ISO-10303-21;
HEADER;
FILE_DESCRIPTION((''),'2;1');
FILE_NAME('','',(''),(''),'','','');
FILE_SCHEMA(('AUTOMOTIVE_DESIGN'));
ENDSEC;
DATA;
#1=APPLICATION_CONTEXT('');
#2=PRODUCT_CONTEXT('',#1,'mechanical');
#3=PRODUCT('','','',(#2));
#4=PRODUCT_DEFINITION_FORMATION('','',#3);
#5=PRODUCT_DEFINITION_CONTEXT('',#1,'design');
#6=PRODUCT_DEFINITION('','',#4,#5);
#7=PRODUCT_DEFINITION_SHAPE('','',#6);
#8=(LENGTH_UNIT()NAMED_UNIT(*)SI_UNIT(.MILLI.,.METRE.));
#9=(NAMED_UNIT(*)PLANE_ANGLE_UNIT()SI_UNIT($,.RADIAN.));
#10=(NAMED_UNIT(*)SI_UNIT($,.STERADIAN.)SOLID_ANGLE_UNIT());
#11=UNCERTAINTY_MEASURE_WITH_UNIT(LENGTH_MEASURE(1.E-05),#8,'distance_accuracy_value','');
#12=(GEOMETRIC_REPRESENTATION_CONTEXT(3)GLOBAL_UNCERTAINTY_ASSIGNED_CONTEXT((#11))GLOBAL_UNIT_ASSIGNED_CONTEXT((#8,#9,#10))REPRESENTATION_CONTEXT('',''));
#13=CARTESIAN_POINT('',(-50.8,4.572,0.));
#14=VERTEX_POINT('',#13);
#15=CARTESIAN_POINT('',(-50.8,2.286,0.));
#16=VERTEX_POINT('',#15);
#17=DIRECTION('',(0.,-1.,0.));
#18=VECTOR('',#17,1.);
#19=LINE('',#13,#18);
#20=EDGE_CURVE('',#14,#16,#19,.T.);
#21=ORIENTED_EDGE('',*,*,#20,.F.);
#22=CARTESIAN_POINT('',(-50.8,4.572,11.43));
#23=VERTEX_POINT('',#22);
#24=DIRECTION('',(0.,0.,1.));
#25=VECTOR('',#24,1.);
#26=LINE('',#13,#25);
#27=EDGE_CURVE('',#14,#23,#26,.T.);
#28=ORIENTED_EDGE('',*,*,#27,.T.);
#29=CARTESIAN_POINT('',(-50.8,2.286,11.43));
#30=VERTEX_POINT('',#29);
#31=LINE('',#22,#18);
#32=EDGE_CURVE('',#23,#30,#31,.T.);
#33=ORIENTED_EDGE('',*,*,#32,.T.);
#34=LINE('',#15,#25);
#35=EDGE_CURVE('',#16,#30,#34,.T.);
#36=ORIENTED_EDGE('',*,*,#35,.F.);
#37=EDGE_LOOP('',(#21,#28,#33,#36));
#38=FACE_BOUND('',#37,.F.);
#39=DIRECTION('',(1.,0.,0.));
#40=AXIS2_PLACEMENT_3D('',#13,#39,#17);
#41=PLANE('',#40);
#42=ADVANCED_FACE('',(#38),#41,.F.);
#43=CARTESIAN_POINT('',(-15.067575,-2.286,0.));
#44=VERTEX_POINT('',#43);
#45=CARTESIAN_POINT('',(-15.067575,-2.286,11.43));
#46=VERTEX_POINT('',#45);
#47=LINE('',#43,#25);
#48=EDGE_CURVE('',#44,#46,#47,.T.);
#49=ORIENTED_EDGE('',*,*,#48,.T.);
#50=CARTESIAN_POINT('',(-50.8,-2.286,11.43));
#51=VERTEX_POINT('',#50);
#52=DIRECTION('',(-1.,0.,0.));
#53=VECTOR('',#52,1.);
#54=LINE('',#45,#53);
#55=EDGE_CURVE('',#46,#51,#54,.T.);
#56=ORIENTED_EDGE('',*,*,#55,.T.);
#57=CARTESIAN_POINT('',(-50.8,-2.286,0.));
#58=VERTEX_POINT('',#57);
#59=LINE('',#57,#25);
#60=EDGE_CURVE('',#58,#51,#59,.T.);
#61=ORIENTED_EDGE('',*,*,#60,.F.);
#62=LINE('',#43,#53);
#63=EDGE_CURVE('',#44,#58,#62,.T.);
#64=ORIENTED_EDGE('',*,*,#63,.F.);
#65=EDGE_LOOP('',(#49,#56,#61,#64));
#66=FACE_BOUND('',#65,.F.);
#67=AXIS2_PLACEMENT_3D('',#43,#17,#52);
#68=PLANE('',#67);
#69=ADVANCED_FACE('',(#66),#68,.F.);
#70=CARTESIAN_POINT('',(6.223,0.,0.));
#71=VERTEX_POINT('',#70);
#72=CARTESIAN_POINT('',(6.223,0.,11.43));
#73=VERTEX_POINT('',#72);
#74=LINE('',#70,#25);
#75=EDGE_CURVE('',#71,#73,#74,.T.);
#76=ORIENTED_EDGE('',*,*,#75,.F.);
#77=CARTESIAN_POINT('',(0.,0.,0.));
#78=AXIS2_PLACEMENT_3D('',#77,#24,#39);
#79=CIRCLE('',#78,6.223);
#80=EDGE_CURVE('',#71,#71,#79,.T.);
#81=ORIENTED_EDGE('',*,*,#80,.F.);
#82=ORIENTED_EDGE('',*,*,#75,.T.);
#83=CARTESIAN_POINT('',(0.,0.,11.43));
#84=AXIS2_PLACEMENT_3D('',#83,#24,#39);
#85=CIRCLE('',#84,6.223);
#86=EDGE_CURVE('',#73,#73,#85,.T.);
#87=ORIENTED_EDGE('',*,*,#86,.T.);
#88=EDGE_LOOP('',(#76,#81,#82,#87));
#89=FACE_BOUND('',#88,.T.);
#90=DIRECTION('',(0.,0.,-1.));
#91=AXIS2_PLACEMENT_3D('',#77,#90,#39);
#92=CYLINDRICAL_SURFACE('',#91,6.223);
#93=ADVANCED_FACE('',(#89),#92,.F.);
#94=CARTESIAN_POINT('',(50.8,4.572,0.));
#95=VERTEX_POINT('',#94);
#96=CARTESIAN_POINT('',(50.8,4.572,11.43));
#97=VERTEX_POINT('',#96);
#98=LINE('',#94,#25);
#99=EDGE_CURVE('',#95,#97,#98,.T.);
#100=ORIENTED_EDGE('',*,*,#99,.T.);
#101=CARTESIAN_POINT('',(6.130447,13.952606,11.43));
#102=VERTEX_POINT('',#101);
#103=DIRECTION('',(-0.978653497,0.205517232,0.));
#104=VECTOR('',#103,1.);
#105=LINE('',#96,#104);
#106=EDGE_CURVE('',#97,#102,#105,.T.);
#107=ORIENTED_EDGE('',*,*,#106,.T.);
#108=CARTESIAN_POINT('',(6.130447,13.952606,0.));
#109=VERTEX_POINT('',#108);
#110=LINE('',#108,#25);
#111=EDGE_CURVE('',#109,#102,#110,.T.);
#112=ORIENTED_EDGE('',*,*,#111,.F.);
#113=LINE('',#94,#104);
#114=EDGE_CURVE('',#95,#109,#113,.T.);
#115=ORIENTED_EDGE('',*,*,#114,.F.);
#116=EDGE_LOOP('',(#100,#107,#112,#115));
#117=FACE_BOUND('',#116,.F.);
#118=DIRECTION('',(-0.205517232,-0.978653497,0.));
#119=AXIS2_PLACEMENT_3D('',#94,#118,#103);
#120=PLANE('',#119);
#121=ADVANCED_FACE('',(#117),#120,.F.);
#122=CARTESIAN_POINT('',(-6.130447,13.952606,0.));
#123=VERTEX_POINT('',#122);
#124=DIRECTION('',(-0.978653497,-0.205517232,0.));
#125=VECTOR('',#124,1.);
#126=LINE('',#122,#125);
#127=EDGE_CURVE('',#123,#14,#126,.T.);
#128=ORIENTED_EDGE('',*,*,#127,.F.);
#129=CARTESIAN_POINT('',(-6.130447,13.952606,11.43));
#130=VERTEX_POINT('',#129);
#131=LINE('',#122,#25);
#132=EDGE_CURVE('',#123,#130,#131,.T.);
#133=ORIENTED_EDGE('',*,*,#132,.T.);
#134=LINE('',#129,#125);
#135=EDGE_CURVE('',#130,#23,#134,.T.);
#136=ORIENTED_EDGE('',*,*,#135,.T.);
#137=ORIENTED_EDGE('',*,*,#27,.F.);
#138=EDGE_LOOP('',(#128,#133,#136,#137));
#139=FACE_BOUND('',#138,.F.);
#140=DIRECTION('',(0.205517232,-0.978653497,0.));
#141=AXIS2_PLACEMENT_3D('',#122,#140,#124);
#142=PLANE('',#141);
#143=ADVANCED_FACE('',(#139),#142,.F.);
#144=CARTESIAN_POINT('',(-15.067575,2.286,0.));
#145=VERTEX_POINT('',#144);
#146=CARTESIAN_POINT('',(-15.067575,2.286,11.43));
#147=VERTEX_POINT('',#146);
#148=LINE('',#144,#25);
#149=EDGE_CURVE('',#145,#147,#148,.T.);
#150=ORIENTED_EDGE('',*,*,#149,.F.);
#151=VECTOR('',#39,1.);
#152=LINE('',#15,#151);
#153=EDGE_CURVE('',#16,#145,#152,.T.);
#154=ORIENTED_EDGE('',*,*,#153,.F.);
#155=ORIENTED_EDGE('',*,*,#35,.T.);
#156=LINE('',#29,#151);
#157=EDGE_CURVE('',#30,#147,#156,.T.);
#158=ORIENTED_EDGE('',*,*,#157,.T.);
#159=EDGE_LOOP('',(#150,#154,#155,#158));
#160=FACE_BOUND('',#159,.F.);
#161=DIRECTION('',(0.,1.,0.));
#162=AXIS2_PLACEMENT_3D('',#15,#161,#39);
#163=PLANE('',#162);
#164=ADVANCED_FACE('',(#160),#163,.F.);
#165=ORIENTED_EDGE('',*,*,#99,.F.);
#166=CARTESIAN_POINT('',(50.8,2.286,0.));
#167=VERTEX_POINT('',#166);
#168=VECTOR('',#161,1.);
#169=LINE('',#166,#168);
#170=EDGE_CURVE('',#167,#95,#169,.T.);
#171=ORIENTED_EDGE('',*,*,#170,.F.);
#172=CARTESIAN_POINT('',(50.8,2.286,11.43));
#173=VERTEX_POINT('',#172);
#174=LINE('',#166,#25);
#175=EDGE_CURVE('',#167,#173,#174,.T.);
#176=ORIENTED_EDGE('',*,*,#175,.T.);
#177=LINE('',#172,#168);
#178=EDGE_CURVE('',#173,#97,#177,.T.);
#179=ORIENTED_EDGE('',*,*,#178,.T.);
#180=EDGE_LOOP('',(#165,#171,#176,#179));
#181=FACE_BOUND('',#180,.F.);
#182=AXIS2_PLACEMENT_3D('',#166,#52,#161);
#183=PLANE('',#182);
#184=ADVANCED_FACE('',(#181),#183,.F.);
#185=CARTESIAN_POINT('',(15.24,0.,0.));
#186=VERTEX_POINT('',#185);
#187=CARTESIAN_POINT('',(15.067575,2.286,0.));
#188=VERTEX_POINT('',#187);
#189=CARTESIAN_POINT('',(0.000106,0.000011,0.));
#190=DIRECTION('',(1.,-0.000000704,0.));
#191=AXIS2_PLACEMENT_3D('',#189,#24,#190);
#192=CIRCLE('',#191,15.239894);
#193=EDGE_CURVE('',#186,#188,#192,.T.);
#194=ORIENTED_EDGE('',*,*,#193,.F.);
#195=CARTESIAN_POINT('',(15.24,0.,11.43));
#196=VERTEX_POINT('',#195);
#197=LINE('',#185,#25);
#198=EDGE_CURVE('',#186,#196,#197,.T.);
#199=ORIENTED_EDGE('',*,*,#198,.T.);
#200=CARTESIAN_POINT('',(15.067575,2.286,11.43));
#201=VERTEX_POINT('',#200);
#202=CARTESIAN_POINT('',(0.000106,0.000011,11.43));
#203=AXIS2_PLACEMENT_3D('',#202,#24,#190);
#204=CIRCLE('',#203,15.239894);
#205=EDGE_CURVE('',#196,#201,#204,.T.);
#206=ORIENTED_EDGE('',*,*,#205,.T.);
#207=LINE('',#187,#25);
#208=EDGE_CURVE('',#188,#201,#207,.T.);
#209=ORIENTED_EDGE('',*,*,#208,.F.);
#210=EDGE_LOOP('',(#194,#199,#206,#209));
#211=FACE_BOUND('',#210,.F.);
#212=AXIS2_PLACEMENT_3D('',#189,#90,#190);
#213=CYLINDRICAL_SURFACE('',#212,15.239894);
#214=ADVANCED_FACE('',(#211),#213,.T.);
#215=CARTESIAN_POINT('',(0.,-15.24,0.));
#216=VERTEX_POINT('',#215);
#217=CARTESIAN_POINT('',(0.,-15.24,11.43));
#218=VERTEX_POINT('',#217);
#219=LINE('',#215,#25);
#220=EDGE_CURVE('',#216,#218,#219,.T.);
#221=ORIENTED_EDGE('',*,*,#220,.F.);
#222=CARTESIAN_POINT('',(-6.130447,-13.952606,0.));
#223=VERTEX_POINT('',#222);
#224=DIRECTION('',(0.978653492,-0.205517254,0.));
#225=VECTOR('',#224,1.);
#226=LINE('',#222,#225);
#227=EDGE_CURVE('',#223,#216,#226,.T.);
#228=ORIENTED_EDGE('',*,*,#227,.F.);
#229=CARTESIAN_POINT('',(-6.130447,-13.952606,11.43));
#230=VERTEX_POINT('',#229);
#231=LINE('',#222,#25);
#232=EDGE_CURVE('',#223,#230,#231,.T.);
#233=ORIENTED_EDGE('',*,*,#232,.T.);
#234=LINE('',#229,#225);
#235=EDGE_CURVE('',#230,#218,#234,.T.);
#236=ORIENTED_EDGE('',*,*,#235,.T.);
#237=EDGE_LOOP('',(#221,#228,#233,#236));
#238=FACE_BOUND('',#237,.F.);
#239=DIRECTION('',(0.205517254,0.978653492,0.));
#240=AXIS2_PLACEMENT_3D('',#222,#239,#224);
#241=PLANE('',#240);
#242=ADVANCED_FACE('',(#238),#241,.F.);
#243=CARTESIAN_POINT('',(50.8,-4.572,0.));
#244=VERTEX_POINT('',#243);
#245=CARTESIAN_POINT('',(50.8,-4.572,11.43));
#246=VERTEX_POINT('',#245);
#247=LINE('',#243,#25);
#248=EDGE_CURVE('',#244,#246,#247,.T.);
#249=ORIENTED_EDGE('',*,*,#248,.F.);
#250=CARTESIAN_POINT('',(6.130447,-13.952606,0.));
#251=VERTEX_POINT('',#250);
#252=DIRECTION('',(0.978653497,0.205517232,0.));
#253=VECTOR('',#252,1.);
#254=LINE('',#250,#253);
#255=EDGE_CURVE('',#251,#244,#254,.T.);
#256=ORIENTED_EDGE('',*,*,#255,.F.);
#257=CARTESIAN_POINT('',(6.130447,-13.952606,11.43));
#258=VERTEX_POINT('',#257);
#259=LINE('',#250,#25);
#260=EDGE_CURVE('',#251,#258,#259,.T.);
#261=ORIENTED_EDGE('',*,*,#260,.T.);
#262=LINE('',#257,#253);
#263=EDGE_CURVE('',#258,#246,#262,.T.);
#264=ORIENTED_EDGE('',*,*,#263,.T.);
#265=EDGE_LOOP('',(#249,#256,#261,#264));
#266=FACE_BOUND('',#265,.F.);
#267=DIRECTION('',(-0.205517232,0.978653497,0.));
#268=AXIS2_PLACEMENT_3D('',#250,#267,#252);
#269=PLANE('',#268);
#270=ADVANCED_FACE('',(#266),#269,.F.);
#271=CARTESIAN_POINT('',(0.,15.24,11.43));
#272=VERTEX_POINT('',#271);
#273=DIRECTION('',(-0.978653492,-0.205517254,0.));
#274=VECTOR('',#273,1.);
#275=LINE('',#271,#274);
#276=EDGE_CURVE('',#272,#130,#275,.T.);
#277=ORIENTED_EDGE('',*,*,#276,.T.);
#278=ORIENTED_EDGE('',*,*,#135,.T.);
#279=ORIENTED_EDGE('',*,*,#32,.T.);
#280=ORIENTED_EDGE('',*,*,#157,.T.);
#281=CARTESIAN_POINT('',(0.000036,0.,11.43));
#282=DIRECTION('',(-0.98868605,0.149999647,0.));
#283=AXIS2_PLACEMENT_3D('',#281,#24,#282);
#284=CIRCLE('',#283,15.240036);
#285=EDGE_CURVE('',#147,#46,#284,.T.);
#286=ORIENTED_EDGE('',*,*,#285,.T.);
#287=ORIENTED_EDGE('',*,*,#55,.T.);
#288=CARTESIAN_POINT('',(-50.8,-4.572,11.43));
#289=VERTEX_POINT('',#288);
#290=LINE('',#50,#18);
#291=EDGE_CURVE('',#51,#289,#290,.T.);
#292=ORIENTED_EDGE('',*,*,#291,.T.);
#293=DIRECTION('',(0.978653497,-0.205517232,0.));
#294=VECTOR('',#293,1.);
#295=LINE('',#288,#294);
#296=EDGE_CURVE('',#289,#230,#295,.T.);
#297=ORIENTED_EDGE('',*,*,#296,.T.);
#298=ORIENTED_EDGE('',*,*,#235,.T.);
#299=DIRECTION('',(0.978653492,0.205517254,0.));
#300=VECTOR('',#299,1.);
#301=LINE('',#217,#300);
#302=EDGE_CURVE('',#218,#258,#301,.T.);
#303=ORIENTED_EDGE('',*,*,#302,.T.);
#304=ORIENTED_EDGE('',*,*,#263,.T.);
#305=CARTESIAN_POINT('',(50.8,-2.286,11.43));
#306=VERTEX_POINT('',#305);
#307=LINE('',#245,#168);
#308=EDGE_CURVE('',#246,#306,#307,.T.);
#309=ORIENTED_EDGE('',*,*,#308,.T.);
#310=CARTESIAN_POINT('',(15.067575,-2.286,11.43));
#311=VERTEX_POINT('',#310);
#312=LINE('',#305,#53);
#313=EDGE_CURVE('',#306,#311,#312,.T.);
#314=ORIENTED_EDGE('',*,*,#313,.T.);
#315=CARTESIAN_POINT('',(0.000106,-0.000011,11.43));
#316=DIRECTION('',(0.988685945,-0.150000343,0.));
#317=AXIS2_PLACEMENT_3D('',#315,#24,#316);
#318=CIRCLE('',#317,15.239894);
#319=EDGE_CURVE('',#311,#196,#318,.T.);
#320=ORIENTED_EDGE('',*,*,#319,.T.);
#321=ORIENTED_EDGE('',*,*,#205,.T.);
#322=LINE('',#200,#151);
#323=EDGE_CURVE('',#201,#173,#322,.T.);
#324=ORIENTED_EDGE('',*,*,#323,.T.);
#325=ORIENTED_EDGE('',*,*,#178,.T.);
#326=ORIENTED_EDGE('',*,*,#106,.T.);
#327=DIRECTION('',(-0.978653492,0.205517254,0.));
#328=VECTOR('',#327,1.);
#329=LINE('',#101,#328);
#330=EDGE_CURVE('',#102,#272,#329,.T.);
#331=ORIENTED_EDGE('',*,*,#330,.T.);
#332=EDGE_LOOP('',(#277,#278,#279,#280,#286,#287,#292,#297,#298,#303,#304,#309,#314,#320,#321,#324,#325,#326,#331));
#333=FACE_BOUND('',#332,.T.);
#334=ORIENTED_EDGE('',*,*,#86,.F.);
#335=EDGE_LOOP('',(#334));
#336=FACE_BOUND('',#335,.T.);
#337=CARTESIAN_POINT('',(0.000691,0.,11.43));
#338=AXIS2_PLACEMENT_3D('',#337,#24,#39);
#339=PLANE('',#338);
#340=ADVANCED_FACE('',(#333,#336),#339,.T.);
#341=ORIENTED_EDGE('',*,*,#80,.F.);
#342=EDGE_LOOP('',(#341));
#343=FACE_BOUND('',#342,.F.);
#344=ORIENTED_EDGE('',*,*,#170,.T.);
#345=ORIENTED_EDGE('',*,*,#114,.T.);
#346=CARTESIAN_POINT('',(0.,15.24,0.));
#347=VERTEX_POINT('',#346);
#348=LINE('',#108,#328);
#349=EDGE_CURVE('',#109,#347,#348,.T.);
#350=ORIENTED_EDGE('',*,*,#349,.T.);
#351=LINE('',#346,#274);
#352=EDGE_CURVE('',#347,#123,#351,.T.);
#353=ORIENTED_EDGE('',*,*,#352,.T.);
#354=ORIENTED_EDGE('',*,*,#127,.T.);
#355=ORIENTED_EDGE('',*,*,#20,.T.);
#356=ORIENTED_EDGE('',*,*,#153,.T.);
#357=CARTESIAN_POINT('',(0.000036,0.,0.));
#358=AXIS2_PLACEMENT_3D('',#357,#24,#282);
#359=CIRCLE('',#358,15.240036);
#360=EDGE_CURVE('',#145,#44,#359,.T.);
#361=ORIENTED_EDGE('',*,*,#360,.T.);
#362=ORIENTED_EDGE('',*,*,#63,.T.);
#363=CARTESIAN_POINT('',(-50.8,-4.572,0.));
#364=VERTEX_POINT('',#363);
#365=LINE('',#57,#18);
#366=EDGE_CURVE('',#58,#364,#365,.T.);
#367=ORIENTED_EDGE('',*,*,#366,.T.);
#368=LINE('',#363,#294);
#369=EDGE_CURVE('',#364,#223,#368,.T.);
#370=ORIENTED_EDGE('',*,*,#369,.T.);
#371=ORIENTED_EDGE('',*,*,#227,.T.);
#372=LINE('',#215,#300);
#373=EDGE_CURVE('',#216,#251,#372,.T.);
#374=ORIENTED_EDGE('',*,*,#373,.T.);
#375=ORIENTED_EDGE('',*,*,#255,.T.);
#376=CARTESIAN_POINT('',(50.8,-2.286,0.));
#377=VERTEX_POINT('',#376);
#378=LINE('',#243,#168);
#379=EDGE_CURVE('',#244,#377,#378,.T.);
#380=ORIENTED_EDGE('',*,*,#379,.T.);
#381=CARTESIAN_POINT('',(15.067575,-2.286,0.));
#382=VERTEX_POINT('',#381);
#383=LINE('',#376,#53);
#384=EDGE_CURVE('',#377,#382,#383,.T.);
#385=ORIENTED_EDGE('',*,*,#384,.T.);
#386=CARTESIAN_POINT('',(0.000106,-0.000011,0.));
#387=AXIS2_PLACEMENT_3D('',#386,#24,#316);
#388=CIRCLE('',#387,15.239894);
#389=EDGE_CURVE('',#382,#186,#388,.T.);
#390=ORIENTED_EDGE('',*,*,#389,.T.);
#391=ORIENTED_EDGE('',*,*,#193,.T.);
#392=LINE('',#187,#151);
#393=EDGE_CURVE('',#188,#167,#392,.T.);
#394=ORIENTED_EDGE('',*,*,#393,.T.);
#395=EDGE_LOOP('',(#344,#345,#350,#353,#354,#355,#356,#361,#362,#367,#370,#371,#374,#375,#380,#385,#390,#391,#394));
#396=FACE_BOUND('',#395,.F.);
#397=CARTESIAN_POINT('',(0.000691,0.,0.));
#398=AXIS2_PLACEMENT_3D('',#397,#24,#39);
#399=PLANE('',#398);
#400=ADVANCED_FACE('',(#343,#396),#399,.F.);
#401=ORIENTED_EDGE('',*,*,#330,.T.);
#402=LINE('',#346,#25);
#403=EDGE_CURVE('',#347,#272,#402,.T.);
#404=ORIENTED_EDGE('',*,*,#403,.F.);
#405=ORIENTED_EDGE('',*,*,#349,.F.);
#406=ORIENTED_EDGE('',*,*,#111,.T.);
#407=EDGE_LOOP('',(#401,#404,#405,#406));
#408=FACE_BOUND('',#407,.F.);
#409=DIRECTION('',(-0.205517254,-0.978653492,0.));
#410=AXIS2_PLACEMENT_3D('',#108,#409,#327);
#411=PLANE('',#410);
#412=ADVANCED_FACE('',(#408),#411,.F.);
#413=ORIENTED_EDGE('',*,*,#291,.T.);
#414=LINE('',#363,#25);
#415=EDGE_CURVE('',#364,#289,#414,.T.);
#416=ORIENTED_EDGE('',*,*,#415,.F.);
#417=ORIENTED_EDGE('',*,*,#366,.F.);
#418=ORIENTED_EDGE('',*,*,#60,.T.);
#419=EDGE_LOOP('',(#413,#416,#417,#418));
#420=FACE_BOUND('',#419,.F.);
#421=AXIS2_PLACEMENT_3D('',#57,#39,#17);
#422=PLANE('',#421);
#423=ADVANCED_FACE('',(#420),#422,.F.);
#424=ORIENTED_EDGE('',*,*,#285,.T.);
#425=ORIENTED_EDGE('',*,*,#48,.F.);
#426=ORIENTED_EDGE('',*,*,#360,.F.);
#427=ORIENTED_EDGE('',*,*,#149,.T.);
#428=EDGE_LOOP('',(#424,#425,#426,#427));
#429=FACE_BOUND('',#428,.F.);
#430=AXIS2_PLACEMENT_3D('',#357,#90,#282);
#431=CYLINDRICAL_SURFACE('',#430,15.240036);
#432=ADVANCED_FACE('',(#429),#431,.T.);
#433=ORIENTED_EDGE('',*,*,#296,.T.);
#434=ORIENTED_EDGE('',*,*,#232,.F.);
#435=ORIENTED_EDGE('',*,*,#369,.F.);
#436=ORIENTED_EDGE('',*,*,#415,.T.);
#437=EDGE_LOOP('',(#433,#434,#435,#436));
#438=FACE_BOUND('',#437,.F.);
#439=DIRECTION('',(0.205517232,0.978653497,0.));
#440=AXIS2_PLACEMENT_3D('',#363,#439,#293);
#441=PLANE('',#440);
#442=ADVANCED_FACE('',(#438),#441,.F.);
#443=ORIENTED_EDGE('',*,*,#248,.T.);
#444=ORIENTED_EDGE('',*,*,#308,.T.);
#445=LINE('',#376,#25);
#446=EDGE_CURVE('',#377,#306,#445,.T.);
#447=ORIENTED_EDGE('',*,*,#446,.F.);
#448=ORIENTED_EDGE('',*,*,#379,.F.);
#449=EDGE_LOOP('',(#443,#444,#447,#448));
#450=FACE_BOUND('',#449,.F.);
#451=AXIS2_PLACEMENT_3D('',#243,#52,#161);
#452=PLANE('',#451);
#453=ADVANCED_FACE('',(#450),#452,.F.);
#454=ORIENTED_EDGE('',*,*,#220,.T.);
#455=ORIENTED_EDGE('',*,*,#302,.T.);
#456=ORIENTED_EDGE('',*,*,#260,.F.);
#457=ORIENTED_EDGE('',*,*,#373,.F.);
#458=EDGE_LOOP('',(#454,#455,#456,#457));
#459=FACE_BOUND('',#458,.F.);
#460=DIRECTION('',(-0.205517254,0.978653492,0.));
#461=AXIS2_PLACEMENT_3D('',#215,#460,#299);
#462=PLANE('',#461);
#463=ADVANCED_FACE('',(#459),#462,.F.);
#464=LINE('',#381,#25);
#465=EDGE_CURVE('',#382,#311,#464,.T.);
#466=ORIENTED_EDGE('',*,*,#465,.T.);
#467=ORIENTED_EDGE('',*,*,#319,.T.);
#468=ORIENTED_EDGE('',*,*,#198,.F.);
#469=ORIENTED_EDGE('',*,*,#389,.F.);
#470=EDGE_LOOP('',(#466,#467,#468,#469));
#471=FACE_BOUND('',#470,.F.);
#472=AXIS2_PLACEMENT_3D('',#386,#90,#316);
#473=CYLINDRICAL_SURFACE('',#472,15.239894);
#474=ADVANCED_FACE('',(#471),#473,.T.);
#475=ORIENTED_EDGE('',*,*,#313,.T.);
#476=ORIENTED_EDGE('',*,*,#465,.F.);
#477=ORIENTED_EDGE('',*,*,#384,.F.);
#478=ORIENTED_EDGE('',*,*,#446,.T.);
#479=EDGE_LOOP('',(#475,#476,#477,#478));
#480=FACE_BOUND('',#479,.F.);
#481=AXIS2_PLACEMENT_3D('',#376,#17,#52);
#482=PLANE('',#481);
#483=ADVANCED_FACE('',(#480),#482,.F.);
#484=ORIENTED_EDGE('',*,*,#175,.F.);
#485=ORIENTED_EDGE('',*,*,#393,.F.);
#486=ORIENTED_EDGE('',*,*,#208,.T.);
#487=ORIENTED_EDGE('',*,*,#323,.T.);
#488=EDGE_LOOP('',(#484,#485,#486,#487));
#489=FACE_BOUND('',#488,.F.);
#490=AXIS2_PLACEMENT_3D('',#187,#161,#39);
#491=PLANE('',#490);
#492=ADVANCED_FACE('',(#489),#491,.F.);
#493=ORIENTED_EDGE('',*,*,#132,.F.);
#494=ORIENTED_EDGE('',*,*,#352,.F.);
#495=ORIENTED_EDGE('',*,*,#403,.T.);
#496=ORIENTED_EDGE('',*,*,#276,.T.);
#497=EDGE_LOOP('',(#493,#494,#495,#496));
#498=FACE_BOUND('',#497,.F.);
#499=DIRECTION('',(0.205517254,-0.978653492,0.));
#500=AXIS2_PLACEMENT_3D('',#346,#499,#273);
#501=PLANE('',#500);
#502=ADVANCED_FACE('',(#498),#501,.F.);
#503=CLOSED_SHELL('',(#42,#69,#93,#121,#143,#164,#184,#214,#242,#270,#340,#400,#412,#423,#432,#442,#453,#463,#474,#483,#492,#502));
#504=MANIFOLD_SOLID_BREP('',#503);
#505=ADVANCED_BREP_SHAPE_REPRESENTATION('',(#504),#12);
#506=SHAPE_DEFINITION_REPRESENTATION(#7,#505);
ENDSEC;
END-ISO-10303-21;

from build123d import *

# Parameters (mm, degrees)
F0_R     = 6.223
F1_DEPTH = 11.43


with BuildPart() as f1:
    # F0 (on Top) → F1 (new body)
    with BuildSketch(Plane.XY):
        with BuildLine():
            ThreePointArc((15.067575, -2.286), (15.196833, -1.146247), (15.24, 0))
            ThreePointArc((15.24, 0), (15.196833, 1.146247), (15.067575, 2.286))
            ThreePointArc((15.067575, 2.286), (12.098201, 9.267747), (6.130447, 13.952606))
            Line((6.130447, 13.952606), (0, 15.24))
            Line((0, 15.24), (-6.130447, 13.952606))
            ThreePointArc((-6.130447, 13.952606), (-12.098201, 9.267747), (-15.067575, 2.286))
            ThreePointArc((-15.067575, 2.286), (-15.24, 0), (-15.067575, -2.286))
            ThreePointArc((-15.067575, -2.286), (-12.098201, -9.267747), (-6.130447, -13.952606))
            Line((-6.130447, -13.952606), (0, -15.24))
            Line((0, -15.24), (6.130447, -13.952606))
            ThreePointArc((6.130447, -13.952606), (12.098201, -9.267747), (15.067575, -2.286))
        make_face()
        Circle(F0_R, mode=Mode.SUBTRACT)
        with BuildLine():
            ThreePointArc((6.130447, 13.952606), (12.098201, 9.267747), (15.067575, 2.286))
            Line((15.067575, 2.286), (50.8, 2.286))
            Line((50.8, 2.286), (50.8, 4.572))
            Line((50.8, 4.572), (6.130447, 13.952606))
        make_face()
        with BuildLine():
            Line((50.8, -2.286), (15.067575, -2.286))
            ThreePointArc((15.067575, -2.286), (12.098201, -9.267747), (6.130447, -13.952606))
            Line((6.130447, -13.952606), (50.8, -4.572))
            Line((50.8, -4.572), (50.8, -2.286))
        make_face()
        with BuildLine():
            Line((-50.8, -4.572), (-6.130447, -13.952606))
            ThreePointArc((-6.130447, -13.952606), (-12.098201, -9.267747), (-15.067575, -2.286))
            Line((-15.067575, -2.286), (-50.8, -2.286))
            Line((-50.8, -2.286), (-50.8, -4.572))
        make_face()
        with BuildLine():
            ThreePointArc((-15.067575, 2.286), (-12.098201, 9.267747), (-6.130447, 13.952606))
            Line((-6.130447, 13.952606), (-50.8, 4.572))
            Line((-50.8, 4.572), (-50.8, 2.286))
            Line((-50.8, 2.286), (-15.067575, 2.286))
        make_face()
    extrude(amount=F1_DEPTH)


solid = f1.part
